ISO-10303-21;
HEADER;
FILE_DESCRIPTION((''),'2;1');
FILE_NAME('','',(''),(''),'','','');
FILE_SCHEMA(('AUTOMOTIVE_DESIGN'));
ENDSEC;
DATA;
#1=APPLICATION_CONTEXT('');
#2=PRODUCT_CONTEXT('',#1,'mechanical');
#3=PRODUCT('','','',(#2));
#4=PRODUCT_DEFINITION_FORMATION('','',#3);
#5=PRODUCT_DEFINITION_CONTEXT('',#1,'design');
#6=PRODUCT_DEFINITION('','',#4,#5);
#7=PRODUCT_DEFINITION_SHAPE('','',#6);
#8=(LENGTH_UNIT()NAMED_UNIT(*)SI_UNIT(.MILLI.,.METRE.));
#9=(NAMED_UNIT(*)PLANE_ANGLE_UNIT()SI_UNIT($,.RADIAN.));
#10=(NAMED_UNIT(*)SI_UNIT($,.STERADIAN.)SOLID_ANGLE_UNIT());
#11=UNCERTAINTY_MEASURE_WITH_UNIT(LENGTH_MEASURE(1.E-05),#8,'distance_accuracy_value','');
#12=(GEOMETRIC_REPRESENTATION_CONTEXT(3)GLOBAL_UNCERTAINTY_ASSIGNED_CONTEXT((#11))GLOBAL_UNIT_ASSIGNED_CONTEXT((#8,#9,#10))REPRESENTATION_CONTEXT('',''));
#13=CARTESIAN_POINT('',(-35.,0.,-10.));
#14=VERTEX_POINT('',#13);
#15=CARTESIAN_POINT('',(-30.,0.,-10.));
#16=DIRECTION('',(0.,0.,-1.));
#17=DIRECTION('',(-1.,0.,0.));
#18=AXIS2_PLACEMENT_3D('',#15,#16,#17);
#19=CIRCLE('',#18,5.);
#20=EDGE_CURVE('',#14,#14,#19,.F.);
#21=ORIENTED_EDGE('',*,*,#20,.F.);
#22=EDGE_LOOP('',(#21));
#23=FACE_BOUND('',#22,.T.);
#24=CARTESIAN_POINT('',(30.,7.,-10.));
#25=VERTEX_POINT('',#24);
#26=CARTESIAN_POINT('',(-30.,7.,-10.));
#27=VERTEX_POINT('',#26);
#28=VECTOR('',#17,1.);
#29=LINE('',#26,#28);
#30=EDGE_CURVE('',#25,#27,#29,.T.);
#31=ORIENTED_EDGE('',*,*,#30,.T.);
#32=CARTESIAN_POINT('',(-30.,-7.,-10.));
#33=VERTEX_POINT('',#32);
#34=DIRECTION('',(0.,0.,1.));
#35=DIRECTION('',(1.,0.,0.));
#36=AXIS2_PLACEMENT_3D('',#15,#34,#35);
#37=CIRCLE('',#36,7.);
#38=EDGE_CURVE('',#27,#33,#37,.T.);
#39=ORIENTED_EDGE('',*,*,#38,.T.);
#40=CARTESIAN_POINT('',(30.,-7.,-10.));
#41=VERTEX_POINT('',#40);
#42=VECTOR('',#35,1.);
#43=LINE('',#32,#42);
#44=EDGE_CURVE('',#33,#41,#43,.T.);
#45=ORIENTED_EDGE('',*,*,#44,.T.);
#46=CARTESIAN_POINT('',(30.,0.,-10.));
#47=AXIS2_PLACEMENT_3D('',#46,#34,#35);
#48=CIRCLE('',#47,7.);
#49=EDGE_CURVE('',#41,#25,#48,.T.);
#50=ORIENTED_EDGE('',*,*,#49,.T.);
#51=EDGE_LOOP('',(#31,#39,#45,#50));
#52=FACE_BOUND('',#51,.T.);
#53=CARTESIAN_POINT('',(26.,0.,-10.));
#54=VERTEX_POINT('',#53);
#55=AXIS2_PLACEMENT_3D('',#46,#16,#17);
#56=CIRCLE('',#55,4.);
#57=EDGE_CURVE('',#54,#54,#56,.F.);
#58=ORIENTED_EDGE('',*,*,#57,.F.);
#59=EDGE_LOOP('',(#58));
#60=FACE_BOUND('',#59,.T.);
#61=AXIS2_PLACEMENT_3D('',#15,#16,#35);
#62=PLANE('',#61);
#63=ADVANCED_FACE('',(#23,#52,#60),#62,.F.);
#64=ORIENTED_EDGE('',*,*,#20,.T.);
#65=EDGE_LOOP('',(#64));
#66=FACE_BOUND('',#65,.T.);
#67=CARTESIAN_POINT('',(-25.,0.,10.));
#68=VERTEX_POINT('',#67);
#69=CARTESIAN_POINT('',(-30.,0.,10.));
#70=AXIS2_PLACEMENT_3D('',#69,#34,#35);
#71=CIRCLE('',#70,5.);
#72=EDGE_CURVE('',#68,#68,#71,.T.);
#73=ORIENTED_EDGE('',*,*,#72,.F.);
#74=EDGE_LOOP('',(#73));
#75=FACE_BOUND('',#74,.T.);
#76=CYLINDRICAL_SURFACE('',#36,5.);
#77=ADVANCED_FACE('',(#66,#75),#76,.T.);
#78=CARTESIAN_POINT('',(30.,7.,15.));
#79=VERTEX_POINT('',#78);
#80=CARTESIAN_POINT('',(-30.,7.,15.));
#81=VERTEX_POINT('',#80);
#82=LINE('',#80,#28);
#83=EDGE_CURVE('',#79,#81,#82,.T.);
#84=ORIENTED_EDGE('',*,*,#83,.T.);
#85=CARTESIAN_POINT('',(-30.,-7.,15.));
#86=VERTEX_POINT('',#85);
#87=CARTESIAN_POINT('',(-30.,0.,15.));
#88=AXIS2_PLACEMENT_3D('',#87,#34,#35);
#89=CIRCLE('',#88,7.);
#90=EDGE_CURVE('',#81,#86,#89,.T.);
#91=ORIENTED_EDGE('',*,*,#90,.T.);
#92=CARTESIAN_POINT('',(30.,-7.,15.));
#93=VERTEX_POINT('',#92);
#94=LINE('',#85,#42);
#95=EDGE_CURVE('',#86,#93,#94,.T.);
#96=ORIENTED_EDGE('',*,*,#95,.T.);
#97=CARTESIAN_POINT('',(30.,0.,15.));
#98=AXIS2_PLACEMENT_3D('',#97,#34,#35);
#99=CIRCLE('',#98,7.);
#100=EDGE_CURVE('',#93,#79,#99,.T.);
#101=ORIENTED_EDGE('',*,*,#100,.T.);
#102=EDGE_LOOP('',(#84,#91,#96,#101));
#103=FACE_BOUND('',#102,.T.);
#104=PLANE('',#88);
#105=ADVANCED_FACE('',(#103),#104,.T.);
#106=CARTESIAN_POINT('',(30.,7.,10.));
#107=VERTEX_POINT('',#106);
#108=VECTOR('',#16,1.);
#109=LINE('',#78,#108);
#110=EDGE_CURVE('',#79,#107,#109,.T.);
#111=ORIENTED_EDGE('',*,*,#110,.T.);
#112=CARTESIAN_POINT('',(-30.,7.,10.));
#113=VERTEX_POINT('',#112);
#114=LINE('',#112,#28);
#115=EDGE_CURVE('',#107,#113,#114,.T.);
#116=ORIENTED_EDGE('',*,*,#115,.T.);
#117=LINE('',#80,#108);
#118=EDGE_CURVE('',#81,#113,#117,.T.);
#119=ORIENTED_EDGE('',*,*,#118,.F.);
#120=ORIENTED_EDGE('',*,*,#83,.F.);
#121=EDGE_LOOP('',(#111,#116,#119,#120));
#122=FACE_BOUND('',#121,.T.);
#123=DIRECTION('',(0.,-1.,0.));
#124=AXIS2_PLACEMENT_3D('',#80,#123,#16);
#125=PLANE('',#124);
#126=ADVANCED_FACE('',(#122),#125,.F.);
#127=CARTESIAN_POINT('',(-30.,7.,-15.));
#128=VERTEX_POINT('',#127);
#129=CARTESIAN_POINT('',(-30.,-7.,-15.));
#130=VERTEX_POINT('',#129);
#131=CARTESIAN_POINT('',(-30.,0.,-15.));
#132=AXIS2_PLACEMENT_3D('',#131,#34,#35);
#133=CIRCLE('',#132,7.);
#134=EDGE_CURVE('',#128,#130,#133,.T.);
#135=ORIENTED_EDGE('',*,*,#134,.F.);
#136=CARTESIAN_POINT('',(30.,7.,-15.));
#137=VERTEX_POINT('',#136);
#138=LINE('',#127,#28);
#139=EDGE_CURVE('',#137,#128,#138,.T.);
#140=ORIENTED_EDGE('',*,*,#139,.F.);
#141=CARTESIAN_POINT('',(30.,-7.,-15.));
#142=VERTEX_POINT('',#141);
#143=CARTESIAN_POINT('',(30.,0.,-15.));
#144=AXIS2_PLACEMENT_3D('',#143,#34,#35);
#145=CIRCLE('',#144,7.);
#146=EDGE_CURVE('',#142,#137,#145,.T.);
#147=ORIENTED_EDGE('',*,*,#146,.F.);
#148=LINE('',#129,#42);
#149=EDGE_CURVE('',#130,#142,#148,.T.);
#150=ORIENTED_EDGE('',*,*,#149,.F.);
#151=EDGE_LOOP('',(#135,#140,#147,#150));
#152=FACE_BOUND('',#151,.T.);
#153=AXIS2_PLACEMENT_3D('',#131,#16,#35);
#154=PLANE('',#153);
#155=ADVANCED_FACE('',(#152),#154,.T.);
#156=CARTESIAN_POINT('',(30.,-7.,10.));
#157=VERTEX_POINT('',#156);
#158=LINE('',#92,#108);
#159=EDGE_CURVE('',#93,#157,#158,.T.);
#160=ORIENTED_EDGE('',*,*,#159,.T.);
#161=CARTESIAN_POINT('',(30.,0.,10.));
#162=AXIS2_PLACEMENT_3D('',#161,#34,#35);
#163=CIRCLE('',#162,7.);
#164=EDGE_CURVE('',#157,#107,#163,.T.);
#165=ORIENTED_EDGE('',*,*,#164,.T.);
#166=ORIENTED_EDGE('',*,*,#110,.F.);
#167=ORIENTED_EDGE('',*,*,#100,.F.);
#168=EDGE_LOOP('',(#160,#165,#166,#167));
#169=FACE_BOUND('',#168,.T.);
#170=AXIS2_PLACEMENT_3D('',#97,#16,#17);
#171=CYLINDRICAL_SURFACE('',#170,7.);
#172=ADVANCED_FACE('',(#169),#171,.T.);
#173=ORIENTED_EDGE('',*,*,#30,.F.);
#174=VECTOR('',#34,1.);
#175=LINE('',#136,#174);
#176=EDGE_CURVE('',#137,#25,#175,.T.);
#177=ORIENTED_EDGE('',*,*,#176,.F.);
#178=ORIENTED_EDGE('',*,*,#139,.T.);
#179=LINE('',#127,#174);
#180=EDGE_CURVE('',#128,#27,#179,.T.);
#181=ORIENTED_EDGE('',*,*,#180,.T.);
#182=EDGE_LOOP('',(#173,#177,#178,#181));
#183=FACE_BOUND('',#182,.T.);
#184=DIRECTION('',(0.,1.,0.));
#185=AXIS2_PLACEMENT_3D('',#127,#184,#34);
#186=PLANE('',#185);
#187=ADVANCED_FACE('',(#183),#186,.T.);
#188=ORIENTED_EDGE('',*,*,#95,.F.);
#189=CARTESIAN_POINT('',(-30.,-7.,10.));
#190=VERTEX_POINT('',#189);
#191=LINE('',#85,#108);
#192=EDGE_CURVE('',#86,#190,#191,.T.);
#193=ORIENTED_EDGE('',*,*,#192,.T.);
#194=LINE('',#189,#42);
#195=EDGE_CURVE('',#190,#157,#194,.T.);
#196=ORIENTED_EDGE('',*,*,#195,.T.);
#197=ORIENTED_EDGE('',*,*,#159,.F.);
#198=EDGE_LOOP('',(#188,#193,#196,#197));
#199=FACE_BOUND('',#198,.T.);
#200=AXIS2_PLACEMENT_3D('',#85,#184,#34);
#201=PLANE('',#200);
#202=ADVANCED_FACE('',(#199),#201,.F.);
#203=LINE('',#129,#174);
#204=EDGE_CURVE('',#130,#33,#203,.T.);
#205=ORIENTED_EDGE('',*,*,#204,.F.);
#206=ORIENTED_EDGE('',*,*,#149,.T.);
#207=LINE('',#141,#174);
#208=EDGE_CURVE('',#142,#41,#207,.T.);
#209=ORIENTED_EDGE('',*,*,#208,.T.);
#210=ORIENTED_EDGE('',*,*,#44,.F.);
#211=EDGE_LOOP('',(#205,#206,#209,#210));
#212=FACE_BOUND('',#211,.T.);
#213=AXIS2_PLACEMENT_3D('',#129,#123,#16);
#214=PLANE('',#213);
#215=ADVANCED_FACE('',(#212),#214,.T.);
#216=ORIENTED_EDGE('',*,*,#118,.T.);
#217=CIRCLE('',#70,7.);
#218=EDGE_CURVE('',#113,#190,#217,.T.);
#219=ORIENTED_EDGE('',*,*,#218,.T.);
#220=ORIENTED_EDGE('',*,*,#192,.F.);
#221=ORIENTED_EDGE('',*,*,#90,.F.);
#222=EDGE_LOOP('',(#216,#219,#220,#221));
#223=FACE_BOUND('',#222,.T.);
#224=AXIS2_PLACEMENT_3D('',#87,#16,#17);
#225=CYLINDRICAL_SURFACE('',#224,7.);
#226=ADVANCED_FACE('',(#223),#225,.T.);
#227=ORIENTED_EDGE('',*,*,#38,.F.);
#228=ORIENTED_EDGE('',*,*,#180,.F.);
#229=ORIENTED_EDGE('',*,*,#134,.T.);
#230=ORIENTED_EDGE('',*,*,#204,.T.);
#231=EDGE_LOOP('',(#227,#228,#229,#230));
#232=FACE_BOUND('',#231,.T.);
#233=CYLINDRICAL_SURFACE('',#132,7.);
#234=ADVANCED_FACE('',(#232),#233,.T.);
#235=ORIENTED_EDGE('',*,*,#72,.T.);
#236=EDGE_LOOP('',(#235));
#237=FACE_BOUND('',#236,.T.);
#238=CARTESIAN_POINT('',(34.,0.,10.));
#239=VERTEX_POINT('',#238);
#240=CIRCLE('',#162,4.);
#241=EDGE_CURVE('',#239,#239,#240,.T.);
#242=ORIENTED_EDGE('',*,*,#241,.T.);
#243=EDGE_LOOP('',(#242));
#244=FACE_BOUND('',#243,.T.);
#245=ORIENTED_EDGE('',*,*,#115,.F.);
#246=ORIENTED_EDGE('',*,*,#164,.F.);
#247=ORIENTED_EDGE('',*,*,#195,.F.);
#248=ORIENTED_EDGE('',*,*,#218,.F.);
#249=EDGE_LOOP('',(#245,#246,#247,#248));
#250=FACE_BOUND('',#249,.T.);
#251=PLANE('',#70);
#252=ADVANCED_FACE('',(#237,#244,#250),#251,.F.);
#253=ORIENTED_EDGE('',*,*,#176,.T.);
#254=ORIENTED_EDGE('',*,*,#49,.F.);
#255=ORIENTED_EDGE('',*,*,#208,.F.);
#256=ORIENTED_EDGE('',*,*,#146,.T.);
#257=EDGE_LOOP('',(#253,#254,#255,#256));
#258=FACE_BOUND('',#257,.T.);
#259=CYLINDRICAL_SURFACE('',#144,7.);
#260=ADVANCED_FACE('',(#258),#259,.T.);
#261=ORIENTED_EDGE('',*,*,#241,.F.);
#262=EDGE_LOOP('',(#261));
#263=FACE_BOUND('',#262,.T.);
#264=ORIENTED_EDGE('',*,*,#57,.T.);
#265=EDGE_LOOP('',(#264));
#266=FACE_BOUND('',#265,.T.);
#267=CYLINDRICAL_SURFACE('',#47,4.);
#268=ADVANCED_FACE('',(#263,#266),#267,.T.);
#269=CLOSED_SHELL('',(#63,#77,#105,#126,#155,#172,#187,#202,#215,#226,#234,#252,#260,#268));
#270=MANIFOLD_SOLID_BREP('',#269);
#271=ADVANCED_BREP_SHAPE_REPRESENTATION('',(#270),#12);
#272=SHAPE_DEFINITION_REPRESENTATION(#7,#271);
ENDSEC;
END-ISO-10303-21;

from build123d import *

# Parameters (mm, degrees)
SALIENTE_EXTRUIR1_DEPTH        = 10
SALIENTE_EXTRUIR1_DEPTH_BACK   = 10
CROQUIS1_R                     = 5
SALIENTE_EXTRUIR1_2_DEPTH      = 10
SALIENTE_EXTRUIR1_2_DEPTH_BACK = 10
CROQUIS1_R_2                   = 4
SALIENTE_EXTRUIR2_DEPTH        = 5


with BuildPart() as part:
    # Croquis1 → Saliente-Extruir1 (new, two sides: drawn at the far end of the back side and taken through both)
    with BuildSketch(Plane.XY.offset(-SALIENTE_EXTRUIR1_DEPTH_BACK)):
        with Locations((-30, 0)):
            Circle(CROQUIS1_R)
    extrude(amount=SALIENTE_EXTRUIR1_DEPTH + SALIENTE_EXTRUIR1_DEPTH_BACK)



with BuildPart() as body_2:
    # Croquis1 → Saliente-Extruir1 2 (new, two sides: drawn at the far end of the back side and taken through both)
    with BuildSketch(Plane.XY.offset(-SALIENTE_EXTRUIR1_2_DEPTH_BACK)):
        with Locations((30, 0)):
            Circle(CROQUIS1_R_2)
    extrude(amount=SALIENTE_EXTRUIR1_2_DEPTH + SALIENTE_EXTRUIR1_2_DEPTH_BACK)


with BuildPart() as part_1:
    add(part.part)

    add(body_2.part)  # Saliente-Extruir2 merges body 2
    # Croquis2 → Saliente-Extruir2 (add)
    with BuildSketch(Plane.XY.offset(10)):
        with BuildLine():
            Line((-30, 7), (30, 7))
            ThreePointArc((30, 7), (37, 0), (30, -7))
            Line((30, -7), (-30, -7))
            ThreePointArc((-30, -7), (-37, 0), (-30, 7))
        make_face()
    saliente_extruir2 = extrude(amount=SALIENTE_EXTRUIR2_DEPTH)

    # Simetría1: Saliente-Extruir2 across plane
    add(saliente_extruir2.mirror(Plane.XY))


solid = part_1.part
